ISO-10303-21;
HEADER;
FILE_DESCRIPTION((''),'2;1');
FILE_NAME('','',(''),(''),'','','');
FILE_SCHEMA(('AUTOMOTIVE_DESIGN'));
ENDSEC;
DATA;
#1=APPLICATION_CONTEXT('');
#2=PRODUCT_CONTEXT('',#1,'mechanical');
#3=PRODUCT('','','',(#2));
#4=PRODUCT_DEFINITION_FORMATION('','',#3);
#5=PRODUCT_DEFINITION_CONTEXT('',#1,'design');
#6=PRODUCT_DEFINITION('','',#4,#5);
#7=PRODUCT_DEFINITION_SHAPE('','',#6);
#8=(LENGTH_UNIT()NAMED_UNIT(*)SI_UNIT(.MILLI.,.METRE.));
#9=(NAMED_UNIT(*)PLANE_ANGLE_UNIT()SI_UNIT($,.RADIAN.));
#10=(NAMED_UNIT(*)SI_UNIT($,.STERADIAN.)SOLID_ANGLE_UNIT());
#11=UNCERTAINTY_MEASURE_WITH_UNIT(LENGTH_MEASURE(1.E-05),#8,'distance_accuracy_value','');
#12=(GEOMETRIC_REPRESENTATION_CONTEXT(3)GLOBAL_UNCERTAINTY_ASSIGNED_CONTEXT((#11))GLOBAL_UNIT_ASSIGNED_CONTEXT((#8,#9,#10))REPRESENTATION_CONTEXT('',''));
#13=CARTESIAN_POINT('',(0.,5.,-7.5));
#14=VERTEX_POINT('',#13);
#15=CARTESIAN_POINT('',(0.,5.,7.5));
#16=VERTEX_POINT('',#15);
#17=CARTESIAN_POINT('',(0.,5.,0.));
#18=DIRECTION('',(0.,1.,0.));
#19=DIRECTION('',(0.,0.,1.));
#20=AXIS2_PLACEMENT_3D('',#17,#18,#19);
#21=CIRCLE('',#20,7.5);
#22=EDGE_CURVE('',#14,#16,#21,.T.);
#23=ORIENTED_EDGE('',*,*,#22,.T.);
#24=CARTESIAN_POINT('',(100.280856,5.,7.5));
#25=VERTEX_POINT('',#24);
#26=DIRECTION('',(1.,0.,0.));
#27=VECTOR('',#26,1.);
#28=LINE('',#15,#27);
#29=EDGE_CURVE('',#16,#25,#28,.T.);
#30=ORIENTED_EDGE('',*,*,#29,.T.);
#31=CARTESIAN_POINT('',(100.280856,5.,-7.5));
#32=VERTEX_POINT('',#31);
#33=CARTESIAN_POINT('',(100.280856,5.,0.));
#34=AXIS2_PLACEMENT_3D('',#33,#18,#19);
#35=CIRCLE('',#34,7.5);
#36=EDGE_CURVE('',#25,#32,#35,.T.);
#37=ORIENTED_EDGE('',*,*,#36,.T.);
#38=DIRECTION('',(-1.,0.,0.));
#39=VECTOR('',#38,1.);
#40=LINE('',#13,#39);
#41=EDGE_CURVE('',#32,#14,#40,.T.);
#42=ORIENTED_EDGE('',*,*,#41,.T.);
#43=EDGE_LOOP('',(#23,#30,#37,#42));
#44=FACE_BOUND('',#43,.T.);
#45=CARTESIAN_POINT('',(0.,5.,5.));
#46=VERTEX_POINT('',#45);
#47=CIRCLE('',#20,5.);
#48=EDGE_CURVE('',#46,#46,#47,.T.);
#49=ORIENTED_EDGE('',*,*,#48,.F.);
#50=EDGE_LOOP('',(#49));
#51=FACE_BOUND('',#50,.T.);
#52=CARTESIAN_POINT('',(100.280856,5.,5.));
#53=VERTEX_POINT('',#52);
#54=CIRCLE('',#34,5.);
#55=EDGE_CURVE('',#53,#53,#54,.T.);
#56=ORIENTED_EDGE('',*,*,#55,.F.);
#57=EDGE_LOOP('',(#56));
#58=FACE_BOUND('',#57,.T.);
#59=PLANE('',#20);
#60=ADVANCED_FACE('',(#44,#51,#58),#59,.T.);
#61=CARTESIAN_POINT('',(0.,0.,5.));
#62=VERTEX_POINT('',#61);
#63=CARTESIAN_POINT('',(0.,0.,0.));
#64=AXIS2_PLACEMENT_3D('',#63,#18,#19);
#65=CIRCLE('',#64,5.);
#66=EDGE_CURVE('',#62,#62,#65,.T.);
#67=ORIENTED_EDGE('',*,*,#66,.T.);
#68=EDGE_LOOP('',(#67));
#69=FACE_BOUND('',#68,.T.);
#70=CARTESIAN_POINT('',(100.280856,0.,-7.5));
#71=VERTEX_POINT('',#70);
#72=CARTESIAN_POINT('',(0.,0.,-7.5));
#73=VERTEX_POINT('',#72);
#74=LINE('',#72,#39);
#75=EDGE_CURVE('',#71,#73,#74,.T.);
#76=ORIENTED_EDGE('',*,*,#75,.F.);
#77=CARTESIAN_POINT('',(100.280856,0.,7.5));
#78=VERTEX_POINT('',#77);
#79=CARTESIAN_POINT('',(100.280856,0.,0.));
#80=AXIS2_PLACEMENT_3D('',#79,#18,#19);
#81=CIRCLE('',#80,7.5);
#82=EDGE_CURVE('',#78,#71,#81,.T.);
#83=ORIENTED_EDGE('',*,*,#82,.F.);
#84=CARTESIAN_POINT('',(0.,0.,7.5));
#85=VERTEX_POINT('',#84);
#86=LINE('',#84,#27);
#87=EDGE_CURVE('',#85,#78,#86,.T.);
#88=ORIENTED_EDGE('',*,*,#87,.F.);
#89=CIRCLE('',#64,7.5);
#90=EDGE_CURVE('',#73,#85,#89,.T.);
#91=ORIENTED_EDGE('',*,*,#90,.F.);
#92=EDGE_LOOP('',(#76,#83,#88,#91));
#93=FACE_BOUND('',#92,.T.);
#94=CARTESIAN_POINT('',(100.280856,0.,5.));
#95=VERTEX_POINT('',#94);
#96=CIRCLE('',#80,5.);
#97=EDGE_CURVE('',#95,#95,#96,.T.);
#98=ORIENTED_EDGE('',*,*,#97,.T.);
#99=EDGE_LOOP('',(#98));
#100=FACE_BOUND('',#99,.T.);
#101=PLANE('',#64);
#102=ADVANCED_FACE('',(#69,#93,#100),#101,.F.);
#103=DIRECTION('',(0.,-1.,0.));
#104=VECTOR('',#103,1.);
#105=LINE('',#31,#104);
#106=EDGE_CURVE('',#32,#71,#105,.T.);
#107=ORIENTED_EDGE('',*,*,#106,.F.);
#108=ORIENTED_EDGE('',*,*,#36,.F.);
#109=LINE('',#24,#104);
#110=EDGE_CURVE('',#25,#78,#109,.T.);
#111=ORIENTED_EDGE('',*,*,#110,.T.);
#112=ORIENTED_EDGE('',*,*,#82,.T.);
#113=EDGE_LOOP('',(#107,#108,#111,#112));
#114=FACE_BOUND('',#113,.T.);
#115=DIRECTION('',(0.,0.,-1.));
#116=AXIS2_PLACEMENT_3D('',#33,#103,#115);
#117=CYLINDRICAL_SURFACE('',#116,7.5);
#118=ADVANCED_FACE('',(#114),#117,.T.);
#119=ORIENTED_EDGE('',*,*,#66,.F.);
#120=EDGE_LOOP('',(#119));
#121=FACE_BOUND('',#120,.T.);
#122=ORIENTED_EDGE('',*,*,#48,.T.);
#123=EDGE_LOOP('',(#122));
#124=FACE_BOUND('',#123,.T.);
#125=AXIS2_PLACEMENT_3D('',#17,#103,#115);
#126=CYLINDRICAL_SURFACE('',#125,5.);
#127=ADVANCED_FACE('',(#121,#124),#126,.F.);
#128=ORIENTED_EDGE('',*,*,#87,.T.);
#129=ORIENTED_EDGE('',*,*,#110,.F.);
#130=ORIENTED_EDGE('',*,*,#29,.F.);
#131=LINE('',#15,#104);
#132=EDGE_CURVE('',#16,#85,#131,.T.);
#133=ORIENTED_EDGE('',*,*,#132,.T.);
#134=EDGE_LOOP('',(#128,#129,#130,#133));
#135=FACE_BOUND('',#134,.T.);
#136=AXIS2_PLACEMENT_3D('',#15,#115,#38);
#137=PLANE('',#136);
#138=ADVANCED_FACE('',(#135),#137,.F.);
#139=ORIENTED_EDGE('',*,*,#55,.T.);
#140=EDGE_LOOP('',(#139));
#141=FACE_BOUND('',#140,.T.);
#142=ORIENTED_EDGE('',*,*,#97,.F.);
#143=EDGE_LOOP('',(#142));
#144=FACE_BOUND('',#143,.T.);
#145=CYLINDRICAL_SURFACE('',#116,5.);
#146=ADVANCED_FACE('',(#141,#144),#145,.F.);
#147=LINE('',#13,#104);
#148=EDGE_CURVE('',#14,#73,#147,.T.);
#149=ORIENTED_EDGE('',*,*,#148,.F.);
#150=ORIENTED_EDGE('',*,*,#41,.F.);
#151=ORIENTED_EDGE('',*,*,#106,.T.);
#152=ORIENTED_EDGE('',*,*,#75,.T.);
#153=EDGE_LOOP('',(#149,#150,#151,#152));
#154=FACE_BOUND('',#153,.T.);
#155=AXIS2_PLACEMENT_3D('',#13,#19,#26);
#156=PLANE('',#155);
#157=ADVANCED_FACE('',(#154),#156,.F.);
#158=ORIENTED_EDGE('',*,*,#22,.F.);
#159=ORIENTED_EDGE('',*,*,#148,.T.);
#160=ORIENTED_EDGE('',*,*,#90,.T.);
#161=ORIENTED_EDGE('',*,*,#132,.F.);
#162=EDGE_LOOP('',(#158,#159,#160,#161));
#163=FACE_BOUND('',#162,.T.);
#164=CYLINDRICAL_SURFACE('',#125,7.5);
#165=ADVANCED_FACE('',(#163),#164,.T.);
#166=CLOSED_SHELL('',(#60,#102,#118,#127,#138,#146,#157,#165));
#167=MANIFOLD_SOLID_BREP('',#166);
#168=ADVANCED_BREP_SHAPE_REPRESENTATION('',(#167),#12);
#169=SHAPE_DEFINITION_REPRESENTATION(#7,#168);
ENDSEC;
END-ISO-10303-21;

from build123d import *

# Parameters (mm, degrees)
SKETCH_1_R      = 5
EXTRUDE_1_DEPTH = 5


with BuildPart() as part:
    # 草图1 → 凸台-拉伸1 (new body)
    with BuildSketch(Plane(origin=(0, 0, 0), x_dir=(1, 0, 0), z_dir=(0, 1, 0))):
        with BuildLine():
            Line((0, 7.5), (100.280855601, 7.5))
            ThreePointArc((100.280855601, 7.5), (107.780855601, 0), (100.280855601, -7.5))
            Line((100.280855601, -7.5), (0, -7.5))
            ThreePointArc((0, -7.5), (-7.5, 0), (0, 7.5))
        make_face()
        Circle(SKETCH_1_R, mode=Mode.SUBTRACT)
        with Locations((100.280855601, 0)):
            Circle(SKETCH_1_R, mode=Mode.SUBTRACT)
    extrude(amount=EXTRUDE_1_DEPTH)


solid = part.part
